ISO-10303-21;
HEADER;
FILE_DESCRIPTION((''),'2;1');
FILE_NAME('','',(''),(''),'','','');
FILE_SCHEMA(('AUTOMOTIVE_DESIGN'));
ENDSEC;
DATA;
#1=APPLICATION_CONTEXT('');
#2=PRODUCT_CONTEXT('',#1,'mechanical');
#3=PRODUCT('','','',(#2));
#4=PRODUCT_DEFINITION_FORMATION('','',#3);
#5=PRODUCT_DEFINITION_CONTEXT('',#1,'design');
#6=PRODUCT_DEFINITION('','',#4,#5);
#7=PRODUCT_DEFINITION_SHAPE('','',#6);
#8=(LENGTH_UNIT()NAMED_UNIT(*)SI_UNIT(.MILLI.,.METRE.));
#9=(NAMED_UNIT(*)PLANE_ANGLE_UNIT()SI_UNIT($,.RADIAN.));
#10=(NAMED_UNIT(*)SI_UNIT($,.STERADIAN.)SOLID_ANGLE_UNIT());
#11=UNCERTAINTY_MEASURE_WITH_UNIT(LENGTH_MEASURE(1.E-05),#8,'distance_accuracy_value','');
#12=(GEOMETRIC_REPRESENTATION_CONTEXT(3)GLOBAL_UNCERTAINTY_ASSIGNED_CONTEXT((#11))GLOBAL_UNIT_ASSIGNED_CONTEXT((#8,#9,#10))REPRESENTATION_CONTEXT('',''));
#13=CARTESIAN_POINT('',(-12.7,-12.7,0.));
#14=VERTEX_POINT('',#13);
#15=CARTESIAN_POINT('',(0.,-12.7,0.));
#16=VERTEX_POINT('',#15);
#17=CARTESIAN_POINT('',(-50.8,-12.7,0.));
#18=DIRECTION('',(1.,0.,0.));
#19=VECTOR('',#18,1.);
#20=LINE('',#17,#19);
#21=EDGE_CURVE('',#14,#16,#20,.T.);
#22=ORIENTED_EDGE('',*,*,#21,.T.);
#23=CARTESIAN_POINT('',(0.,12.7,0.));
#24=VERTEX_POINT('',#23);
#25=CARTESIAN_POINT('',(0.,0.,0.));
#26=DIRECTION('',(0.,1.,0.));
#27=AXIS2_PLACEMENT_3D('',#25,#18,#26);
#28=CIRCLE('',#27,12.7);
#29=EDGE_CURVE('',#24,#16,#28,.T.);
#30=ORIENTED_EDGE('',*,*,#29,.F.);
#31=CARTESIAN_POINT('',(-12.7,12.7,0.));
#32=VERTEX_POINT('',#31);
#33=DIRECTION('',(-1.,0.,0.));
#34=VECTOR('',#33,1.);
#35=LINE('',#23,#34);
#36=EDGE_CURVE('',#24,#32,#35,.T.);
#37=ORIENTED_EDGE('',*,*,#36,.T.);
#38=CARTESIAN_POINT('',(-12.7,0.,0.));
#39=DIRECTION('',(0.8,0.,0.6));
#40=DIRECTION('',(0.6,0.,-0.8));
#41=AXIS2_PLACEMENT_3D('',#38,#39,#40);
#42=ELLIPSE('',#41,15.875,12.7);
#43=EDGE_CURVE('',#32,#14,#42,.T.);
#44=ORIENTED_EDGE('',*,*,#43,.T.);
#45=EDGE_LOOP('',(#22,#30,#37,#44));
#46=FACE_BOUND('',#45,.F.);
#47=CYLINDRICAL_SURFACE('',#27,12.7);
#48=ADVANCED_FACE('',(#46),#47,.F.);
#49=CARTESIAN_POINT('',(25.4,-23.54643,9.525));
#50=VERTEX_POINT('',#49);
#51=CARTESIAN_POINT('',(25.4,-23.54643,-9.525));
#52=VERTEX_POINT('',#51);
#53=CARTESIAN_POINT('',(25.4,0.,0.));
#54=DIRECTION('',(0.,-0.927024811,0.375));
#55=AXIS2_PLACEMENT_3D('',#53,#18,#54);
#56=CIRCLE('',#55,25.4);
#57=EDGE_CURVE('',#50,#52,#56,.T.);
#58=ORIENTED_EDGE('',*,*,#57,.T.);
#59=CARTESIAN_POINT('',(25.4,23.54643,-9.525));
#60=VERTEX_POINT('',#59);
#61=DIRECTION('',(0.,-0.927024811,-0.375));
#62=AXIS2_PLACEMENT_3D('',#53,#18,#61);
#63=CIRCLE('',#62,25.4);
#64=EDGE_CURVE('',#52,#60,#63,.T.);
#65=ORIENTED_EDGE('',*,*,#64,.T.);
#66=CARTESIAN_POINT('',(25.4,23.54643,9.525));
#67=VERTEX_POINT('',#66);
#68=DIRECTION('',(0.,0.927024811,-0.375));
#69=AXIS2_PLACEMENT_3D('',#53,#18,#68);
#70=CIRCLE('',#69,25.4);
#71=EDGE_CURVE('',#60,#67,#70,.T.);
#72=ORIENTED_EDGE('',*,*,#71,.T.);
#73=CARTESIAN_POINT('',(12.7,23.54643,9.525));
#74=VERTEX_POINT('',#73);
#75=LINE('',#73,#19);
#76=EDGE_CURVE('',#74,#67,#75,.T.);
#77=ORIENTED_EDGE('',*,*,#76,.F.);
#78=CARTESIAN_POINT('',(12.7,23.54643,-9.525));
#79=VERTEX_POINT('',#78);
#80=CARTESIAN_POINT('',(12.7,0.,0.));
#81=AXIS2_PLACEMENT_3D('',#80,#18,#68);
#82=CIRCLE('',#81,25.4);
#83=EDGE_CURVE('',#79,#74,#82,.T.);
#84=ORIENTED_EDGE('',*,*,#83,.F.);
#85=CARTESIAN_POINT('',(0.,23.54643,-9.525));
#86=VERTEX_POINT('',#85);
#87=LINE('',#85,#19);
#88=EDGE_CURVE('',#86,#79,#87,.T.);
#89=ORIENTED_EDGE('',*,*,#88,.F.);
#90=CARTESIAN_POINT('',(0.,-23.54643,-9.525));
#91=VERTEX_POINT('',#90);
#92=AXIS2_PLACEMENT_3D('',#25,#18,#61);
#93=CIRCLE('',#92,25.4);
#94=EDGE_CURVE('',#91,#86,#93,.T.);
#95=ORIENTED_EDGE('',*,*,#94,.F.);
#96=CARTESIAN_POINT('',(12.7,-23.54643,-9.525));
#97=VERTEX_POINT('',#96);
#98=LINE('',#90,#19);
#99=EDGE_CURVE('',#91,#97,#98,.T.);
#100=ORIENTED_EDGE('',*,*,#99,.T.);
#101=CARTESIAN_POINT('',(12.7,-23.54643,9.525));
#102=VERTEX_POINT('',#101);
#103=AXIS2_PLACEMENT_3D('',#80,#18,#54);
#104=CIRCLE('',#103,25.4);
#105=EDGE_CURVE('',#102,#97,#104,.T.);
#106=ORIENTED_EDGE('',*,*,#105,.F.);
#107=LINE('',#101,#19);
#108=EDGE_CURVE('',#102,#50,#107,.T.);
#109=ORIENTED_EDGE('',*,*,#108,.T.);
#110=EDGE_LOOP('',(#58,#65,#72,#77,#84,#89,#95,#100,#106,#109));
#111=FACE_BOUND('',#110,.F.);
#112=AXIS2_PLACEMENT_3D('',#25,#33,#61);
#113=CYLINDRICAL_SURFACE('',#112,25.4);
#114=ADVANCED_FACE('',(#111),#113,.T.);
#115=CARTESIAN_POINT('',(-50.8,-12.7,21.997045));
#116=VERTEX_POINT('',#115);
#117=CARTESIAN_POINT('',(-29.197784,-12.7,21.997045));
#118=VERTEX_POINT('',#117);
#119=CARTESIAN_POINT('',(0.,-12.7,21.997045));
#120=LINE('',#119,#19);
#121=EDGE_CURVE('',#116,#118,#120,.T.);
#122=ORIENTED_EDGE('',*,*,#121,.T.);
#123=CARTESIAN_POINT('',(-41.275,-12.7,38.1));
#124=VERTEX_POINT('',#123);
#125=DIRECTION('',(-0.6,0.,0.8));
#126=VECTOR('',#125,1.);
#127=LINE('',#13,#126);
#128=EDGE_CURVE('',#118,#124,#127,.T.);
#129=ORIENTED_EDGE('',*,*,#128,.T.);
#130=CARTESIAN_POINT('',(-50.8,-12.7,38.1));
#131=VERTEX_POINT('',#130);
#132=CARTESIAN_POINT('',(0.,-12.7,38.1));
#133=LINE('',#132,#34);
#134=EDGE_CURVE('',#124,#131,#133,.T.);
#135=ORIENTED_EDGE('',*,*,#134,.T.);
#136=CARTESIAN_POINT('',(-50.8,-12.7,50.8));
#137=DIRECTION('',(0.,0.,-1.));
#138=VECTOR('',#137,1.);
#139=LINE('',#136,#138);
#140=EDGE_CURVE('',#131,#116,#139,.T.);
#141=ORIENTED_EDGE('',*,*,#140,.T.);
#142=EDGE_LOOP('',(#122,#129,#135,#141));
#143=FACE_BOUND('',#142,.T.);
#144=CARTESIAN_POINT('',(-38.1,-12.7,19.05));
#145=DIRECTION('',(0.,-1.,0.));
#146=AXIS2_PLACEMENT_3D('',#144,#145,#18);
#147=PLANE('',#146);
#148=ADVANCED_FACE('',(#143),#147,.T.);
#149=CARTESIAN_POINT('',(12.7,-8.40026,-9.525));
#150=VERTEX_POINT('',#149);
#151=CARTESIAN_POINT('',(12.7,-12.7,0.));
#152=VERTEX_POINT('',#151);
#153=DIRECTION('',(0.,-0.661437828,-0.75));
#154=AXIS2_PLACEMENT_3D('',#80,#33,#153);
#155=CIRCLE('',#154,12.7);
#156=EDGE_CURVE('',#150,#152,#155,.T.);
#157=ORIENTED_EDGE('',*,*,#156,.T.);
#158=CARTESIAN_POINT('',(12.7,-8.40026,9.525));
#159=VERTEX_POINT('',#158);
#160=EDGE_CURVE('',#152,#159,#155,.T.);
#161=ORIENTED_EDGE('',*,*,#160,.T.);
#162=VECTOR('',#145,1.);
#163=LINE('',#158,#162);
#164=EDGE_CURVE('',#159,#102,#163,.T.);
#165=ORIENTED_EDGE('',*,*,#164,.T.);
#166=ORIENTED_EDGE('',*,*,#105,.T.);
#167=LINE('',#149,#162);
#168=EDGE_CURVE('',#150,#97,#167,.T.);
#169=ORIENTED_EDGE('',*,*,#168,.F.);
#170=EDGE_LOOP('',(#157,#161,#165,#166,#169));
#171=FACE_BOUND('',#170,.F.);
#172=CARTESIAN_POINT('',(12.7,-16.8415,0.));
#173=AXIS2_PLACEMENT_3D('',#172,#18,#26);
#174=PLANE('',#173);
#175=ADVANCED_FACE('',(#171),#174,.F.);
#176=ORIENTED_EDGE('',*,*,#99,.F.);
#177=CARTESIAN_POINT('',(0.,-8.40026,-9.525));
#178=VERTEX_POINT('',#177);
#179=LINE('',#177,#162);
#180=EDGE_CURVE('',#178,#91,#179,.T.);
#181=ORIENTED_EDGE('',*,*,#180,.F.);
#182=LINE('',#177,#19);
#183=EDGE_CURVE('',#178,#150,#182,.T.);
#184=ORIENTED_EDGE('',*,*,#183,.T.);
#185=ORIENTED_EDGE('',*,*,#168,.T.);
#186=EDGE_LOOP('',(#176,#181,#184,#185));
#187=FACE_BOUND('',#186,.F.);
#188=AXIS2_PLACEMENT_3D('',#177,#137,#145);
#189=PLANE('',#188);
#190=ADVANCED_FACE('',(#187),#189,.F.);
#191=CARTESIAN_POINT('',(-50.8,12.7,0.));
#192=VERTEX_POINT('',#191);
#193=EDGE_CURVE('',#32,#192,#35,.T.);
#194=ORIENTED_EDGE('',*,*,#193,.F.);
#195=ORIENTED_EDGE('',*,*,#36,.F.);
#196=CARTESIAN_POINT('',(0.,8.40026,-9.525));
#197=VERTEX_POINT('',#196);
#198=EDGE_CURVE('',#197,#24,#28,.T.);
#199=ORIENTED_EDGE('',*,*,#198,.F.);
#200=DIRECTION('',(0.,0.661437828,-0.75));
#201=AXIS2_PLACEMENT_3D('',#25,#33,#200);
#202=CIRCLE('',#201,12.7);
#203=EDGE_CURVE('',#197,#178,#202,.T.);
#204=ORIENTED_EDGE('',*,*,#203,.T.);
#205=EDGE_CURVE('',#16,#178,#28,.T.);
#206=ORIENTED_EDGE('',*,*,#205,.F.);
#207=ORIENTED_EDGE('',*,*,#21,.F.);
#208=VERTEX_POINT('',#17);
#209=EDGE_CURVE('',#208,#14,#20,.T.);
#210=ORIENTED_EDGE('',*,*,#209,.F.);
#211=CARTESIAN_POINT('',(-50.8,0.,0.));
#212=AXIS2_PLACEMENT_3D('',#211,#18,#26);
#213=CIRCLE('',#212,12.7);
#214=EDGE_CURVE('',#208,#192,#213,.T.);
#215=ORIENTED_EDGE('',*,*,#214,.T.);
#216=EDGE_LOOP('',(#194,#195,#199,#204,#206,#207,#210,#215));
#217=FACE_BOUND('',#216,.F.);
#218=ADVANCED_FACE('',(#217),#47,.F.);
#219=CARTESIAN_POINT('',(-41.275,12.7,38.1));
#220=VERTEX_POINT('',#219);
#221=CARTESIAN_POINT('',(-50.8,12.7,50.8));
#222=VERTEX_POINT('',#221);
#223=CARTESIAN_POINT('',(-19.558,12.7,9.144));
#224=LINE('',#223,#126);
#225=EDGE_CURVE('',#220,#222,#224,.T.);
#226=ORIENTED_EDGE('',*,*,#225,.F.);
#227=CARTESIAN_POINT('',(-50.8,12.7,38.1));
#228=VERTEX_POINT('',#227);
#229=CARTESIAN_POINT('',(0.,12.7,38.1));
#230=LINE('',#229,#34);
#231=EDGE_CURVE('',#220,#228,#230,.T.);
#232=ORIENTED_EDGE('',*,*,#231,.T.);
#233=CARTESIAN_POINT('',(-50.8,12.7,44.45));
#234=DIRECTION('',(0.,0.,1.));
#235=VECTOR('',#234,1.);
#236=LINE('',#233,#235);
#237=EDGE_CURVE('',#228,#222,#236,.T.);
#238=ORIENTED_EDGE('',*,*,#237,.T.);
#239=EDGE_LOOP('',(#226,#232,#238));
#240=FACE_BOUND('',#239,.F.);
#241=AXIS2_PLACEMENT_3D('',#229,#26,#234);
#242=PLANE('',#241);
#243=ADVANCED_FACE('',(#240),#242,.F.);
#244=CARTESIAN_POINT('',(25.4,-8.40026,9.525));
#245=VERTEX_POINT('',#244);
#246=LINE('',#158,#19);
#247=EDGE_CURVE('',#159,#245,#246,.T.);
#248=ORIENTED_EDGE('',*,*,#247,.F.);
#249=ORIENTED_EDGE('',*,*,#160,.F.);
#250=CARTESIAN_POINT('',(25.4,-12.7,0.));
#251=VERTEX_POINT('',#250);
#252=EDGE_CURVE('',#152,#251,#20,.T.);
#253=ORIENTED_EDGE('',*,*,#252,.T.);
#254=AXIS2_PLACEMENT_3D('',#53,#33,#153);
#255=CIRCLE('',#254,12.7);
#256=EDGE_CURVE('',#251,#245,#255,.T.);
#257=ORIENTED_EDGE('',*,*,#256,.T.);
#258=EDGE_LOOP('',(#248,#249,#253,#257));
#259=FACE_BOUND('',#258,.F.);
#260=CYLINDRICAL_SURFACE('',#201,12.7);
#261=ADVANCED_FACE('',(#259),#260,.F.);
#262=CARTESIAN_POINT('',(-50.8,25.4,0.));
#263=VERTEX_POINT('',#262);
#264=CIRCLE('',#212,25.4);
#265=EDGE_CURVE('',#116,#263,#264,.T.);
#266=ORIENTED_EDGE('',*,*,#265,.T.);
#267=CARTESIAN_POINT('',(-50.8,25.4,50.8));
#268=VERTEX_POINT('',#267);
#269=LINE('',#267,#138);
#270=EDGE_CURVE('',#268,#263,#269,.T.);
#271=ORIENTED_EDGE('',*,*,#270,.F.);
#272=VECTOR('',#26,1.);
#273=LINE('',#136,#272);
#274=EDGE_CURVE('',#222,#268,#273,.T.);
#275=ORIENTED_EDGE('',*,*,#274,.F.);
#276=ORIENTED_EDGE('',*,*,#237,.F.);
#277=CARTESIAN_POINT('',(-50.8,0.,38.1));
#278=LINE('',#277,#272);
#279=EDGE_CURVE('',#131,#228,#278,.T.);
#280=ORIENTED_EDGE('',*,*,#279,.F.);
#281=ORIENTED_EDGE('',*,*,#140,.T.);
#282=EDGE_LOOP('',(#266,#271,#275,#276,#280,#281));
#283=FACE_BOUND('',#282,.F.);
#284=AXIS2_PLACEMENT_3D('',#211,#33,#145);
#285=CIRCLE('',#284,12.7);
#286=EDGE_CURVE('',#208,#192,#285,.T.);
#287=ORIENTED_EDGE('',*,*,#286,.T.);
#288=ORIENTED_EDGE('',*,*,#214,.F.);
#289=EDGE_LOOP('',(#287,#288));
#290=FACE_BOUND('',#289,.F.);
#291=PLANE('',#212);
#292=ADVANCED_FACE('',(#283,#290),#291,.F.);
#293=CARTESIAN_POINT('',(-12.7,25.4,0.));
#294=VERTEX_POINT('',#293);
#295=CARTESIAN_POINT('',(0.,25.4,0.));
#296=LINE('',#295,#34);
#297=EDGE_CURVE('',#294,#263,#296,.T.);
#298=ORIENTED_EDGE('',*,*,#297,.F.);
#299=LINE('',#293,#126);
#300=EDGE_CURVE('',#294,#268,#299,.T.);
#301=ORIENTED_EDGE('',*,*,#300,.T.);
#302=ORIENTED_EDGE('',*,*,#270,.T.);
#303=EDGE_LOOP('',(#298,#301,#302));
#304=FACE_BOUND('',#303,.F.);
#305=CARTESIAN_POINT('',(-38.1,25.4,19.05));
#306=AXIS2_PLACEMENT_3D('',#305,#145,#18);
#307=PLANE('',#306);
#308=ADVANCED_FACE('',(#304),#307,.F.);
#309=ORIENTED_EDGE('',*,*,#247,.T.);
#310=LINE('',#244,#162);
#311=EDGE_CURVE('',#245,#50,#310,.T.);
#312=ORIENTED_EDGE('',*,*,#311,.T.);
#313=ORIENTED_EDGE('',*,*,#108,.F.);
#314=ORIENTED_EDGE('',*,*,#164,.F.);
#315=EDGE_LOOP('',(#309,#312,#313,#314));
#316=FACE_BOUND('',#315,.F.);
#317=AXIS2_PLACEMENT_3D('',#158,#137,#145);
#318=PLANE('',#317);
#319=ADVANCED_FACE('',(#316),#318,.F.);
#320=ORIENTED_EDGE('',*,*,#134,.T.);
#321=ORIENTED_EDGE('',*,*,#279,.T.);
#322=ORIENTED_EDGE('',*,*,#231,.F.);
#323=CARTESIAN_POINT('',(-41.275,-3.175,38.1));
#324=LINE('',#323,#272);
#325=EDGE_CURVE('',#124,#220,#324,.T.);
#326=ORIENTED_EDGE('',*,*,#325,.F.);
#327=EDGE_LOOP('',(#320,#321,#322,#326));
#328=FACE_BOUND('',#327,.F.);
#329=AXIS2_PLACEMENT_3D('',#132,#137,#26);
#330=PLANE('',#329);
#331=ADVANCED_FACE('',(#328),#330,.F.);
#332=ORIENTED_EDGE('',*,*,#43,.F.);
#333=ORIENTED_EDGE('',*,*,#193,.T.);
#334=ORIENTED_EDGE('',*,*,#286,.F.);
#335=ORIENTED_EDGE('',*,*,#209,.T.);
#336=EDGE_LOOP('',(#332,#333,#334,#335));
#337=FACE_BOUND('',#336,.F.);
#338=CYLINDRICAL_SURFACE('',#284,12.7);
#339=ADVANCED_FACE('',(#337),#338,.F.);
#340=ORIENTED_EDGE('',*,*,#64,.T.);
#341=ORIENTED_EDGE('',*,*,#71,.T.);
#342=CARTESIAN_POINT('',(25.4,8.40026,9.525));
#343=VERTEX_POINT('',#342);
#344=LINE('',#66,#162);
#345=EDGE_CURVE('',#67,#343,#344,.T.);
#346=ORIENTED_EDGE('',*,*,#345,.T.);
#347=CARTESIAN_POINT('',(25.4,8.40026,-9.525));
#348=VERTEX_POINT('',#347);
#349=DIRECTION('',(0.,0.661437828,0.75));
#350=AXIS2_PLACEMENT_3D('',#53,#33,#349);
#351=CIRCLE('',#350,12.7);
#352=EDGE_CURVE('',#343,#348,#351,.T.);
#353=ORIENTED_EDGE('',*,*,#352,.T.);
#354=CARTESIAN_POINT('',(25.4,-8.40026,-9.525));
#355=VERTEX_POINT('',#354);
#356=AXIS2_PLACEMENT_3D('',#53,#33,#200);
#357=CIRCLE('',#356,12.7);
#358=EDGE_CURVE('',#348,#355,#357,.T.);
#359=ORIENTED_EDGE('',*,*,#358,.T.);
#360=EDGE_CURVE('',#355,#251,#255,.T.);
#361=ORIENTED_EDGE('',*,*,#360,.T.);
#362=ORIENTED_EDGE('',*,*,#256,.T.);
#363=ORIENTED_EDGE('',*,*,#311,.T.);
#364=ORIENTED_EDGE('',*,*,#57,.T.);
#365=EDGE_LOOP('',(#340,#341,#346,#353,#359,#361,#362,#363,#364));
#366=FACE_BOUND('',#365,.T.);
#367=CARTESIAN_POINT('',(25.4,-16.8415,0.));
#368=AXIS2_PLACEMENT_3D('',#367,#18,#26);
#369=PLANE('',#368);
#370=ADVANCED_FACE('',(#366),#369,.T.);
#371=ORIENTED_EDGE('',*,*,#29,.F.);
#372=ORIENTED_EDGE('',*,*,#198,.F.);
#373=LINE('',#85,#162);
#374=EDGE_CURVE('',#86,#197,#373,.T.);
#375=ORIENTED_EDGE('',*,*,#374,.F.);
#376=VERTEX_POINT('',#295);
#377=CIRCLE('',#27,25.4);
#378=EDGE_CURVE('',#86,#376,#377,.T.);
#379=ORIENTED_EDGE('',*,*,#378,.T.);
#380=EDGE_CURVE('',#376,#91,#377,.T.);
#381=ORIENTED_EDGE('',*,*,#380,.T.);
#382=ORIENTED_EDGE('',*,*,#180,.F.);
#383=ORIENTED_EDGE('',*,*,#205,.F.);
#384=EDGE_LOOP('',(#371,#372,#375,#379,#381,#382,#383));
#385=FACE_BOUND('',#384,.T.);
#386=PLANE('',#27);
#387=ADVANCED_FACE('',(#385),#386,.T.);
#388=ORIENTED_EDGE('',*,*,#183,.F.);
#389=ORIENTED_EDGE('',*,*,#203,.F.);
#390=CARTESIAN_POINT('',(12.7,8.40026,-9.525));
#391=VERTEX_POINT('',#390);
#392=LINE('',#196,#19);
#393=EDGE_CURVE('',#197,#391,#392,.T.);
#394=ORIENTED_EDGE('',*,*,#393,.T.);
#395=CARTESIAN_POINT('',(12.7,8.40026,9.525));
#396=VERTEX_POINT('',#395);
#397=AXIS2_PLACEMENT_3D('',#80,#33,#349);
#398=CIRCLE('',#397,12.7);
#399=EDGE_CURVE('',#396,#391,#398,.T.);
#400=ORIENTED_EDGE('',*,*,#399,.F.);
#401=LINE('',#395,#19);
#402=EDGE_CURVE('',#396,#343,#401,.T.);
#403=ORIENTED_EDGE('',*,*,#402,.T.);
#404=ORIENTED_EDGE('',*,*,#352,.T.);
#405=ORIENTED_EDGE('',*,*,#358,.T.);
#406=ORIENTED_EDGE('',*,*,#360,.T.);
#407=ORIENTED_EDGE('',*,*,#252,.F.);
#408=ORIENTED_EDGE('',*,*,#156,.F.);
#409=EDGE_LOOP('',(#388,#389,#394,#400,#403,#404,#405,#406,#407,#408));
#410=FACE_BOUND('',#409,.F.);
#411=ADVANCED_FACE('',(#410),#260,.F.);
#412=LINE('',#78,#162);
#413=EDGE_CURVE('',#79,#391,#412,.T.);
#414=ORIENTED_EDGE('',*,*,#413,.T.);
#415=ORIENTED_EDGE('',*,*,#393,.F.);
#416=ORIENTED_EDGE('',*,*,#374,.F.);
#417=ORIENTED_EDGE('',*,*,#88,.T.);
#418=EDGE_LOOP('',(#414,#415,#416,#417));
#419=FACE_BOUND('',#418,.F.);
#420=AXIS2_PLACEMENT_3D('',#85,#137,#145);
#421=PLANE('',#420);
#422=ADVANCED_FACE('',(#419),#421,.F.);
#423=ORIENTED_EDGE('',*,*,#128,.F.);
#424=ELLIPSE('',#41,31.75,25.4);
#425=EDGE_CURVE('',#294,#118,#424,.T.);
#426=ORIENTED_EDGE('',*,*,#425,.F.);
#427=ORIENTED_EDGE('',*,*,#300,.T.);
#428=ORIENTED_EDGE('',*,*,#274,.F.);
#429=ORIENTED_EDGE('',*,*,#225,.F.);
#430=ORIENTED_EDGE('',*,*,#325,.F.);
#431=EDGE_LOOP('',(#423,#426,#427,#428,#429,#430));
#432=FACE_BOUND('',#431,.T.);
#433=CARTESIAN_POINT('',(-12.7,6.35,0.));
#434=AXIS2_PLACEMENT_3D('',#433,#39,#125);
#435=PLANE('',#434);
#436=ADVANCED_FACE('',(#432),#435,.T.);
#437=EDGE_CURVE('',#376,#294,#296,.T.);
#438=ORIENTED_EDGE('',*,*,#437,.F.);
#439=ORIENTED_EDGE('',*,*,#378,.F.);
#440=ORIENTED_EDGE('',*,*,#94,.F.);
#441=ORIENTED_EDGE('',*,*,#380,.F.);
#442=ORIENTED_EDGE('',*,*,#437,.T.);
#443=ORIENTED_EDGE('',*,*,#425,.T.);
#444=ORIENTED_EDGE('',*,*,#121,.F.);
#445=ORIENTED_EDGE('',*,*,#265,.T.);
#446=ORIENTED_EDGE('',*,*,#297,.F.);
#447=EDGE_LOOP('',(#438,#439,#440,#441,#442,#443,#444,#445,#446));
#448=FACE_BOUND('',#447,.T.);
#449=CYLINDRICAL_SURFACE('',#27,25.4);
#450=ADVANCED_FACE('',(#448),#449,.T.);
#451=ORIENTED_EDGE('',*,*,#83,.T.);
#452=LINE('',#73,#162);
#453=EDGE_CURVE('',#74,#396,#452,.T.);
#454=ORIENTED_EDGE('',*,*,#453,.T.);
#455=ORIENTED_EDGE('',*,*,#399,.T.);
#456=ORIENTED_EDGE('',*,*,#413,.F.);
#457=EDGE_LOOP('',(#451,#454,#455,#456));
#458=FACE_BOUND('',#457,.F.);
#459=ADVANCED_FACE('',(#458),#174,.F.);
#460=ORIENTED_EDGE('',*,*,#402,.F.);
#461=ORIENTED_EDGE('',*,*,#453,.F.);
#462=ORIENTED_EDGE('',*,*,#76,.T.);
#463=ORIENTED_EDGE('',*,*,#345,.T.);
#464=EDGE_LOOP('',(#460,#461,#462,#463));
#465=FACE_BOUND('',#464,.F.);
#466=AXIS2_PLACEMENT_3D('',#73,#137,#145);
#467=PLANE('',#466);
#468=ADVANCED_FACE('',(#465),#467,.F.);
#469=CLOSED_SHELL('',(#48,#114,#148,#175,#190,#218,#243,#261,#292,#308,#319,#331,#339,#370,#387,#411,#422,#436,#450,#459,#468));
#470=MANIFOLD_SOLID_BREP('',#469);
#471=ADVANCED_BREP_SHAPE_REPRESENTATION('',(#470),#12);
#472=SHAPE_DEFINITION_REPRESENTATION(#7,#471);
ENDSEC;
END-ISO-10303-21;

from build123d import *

# Parameters (mm, degrees)
F0_R      = 25.4
F0_R_2    = 12.7
F1_DEPTH  = 50.8
F3_DEPTH  = 12.7
F5_DEPTH  = 12.7
F8_DEPTH  = 19.05
F9_R      = 12.7
F10_DEPTH = 76.2
F11_W     = 25.4
F11_H     = 12.7
F12_DEPTH = 50.8


with BuildPart() as f1:
    # F0 (on Right) → F1 (new body)
    with BuildSketch(Plane.YZ):
        Circle(F0_R)
        Circle(F0_R_2, mode=Mode.SUBTRACT)
    extrude(amount=-F1_DEPTH)

    # F2 (on face) → F3 (join)
    with BuildSketch(Plane.YZ):
        with BuildLine():
            Line((-8.4002604126, -9.525), (-23.5464301965, -9.525))
            ThreePointArc((-23.5464301965, -9.525), (0, -25.4), (23.5464301965, -9.525))
            Line((23.5464301965, -9.525), (8.4002604126, -9.525))
            ThreePointArc((8.4002604126, -9.525), (0, -12.7), (-8.4002604126, -9.525))
        make_face()
    extrude(amount=F3_DEPTH)

    # F4 (on face) → F5 (join)
    with BuildSketch(Plane.YZ.offset(12.7)):
        with BuildLine():
            Line((-8.4002604126, 9.525), (-23.5464301965, 9.525))
            ThreePointArc((-23.5464301965, 9.525), (-25.4, 0), (-23.5464301965, -9.525))
            Line((-23.5464301965, -9.525), (-8.4002604126, -9.525))
            ThreePointArc((-8.4002604126, -9.525), (-12.7, 0), (-8.4002604126, 9.525))
        make_face()
        with BuildLine():
            Line((8.4002604126, -9.525), (23.5464301965, -9.525))
            ThreePointArc((23.5464301965, -9.525), (25.4, 0), (23.5464301965, 9.525))
            Line((23.5464301965, 9.525), (8.4002604126, 9.525))
            ThreePointArc((8.4002604126, 9.525), (12.7, 0), (8.4002604126, -9.525))
        make_face()
        with BuildLine():
            Line((-8.4002604126, -9.525), (-23.5464301965, -9.525))
            ThreePointArc((-23.5464301965, -9.525), (0, -25.4), (23.5464301965, -9.525))
            Line((23.5464301965, -9.525), (8.4002604126, -9.525))
            ThreePointArc((8.4002604126, -9.525), (0, -12.7), (-8.4002604126, -9.525))
        make_face()
    extrude(amount=F5_DEPTH)

    # F7 (on offset) → F8 (join, symmetric)
    with BuildSketch(Plane.XZ.offset(-6.35)):
        Polygon((-50.8, 0), (-12.7, 0), (-50.8, 50.8), align=None)
    extrude(amount=F8_DEPTH, both=True)

    # F9 (on face) → F10 (cut)
    with BuildSketch(Plane(origin=(-50.8, 0, 0), x_dir=(0, -1, 0), z_dir=(-1, 0, 0))):
        Circle(F9_R)
    extrude(amount=-F10_DEPTH, mode=Mode.SUBTRACT)

    # F11 (on Right) → F12 (cut)
    with BuildSketch(Plane.YZ):
        with Locations((0, 44.45)):
            Rectangle(F11_W, F11_H)
    extrude(amount=-F12_DEPTH, mode=Mode.SUBTRACT)


solid = f1.part
